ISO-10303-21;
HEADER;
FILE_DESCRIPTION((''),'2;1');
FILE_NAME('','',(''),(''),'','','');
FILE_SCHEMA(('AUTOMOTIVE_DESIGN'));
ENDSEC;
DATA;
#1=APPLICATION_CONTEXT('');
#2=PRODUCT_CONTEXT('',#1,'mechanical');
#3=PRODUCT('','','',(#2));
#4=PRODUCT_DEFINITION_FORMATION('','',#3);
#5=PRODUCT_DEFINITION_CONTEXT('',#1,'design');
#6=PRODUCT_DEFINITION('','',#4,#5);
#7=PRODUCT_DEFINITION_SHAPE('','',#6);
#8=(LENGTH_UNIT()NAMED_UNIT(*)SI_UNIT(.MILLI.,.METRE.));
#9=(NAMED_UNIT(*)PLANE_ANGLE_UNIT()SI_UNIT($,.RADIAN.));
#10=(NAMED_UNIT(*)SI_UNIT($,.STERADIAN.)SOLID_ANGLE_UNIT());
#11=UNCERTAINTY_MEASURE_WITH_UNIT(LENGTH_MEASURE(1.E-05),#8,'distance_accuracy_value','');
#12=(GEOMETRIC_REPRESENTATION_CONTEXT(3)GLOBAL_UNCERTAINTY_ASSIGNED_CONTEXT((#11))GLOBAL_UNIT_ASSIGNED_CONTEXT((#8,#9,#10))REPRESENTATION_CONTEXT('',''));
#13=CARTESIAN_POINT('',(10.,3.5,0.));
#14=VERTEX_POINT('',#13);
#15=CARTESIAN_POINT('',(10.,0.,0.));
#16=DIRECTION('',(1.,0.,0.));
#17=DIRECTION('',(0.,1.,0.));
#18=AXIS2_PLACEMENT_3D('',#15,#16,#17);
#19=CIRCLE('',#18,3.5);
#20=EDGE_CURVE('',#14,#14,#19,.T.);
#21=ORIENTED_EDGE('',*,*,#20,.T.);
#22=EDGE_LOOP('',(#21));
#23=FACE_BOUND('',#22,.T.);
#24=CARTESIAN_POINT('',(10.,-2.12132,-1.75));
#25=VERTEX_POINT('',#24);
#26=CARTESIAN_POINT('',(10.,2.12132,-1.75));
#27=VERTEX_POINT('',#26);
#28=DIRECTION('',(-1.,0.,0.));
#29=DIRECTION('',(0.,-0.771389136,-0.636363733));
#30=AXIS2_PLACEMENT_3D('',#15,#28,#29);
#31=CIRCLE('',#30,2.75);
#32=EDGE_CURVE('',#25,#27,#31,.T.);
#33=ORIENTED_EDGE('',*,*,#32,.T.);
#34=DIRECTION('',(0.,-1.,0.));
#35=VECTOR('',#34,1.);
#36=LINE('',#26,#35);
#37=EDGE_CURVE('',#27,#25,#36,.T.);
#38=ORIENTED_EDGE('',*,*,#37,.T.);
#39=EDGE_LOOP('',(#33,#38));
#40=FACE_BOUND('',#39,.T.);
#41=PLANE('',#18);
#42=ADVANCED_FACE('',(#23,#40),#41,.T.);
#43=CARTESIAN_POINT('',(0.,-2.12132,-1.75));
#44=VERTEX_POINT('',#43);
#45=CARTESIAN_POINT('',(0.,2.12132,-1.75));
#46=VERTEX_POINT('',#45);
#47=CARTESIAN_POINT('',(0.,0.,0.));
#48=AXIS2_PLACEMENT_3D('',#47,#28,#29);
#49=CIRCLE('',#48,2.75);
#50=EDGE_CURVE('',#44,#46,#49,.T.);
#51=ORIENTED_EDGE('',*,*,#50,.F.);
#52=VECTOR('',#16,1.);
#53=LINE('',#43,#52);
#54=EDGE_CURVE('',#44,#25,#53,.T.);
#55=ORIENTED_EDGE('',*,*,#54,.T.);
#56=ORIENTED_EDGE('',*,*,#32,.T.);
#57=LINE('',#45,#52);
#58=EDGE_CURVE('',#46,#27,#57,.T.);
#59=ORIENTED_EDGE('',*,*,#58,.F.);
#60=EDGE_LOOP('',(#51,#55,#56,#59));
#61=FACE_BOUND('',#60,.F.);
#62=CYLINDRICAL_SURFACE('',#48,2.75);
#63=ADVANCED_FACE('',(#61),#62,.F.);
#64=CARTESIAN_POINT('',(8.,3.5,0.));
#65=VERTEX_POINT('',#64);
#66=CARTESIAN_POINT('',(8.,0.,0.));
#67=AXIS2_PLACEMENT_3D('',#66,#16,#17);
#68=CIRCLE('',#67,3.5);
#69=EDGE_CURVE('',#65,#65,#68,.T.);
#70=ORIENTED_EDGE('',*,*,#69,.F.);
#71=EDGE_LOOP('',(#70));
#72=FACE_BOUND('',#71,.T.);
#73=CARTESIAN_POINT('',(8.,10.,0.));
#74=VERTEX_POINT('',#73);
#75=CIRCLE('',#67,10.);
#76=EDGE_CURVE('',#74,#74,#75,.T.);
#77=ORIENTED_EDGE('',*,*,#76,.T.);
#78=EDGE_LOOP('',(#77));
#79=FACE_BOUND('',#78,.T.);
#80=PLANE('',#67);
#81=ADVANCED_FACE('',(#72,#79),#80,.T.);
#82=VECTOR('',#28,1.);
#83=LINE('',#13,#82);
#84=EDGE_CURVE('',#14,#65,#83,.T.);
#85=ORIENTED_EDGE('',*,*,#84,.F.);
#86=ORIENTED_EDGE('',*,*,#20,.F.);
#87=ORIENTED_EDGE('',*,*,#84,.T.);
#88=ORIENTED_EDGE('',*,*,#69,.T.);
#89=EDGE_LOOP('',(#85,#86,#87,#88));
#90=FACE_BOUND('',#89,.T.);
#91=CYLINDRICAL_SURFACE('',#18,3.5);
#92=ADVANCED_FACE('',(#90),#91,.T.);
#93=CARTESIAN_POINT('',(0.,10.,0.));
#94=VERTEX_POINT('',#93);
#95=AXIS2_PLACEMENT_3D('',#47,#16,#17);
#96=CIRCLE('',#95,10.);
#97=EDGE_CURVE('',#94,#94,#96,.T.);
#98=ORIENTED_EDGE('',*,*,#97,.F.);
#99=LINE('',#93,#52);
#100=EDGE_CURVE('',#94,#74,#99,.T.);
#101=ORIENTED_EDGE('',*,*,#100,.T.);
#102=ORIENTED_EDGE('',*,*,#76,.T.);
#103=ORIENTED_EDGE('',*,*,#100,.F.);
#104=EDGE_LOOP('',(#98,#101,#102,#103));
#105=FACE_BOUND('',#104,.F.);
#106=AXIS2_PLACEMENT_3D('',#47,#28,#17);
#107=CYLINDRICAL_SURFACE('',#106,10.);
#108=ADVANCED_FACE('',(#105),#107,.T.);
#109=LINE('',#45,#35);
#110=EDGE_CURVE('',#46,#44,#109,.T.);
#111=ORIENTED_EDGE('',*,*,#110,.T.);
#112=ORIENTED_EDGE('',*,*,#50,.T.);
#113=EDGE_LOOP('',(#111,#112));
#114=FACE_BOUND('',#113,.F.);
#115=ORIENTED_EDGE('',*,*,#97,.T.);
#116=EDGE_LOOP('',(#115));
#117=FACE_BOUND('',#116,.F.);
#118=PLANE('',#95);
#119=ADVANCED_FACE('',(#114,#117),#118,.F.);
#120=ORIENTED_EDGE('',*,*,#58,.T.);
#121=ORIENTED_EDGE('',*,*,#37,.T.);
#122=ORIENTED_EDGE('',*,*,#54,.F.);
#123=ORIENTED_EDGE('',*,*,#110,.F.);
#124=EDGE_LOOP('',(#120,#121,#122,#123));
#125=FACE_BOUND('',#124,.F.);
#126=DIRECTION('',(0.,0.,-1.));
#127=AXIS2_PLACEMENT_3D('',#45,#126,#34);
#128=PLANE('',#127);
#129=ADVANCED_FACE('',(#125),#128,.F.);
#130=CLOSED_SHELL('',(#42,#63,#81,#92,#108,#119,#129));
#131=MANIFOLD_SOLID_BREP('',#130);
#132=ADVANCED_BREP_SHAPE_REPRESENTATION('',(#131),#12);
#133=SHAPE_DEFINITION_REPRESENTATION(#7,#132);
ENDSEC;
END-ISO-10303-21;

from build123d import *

# Parameters (mm, degrees)
F0_R     = 10
F1_DEPTH = 10
F2_R     = 10
F2_R_2   = 3.5
F3_DEPTH = 2


with BuildPart() as f1:
    # F0 (on Right) → F1 (new body)
    with BuildSketch(Plane.YZ):
        Circle(F0_R)
        with BuildLine():
            ThreePointArc((-2.12132, -1.75), (0, 2.75), (2.12132, -1.75))
            Line((2.12132, -1.75), (-2.12132, -1.75))
        make_face(mode=Mode.SUBTRACT)
    extrude(amount=F1_DEPTH)

    # F2 (on face) → F3 (cut)
    with BuildSketch(Plane.YZ.offset(10)):
        Circle(F2_R)
        Circle(F2_R_2, mode=Mode.SUBTRACT)
    extrude(amount=-F3_DEPTH, mode=Mode.SUBTRACT)


solid = f1.part
